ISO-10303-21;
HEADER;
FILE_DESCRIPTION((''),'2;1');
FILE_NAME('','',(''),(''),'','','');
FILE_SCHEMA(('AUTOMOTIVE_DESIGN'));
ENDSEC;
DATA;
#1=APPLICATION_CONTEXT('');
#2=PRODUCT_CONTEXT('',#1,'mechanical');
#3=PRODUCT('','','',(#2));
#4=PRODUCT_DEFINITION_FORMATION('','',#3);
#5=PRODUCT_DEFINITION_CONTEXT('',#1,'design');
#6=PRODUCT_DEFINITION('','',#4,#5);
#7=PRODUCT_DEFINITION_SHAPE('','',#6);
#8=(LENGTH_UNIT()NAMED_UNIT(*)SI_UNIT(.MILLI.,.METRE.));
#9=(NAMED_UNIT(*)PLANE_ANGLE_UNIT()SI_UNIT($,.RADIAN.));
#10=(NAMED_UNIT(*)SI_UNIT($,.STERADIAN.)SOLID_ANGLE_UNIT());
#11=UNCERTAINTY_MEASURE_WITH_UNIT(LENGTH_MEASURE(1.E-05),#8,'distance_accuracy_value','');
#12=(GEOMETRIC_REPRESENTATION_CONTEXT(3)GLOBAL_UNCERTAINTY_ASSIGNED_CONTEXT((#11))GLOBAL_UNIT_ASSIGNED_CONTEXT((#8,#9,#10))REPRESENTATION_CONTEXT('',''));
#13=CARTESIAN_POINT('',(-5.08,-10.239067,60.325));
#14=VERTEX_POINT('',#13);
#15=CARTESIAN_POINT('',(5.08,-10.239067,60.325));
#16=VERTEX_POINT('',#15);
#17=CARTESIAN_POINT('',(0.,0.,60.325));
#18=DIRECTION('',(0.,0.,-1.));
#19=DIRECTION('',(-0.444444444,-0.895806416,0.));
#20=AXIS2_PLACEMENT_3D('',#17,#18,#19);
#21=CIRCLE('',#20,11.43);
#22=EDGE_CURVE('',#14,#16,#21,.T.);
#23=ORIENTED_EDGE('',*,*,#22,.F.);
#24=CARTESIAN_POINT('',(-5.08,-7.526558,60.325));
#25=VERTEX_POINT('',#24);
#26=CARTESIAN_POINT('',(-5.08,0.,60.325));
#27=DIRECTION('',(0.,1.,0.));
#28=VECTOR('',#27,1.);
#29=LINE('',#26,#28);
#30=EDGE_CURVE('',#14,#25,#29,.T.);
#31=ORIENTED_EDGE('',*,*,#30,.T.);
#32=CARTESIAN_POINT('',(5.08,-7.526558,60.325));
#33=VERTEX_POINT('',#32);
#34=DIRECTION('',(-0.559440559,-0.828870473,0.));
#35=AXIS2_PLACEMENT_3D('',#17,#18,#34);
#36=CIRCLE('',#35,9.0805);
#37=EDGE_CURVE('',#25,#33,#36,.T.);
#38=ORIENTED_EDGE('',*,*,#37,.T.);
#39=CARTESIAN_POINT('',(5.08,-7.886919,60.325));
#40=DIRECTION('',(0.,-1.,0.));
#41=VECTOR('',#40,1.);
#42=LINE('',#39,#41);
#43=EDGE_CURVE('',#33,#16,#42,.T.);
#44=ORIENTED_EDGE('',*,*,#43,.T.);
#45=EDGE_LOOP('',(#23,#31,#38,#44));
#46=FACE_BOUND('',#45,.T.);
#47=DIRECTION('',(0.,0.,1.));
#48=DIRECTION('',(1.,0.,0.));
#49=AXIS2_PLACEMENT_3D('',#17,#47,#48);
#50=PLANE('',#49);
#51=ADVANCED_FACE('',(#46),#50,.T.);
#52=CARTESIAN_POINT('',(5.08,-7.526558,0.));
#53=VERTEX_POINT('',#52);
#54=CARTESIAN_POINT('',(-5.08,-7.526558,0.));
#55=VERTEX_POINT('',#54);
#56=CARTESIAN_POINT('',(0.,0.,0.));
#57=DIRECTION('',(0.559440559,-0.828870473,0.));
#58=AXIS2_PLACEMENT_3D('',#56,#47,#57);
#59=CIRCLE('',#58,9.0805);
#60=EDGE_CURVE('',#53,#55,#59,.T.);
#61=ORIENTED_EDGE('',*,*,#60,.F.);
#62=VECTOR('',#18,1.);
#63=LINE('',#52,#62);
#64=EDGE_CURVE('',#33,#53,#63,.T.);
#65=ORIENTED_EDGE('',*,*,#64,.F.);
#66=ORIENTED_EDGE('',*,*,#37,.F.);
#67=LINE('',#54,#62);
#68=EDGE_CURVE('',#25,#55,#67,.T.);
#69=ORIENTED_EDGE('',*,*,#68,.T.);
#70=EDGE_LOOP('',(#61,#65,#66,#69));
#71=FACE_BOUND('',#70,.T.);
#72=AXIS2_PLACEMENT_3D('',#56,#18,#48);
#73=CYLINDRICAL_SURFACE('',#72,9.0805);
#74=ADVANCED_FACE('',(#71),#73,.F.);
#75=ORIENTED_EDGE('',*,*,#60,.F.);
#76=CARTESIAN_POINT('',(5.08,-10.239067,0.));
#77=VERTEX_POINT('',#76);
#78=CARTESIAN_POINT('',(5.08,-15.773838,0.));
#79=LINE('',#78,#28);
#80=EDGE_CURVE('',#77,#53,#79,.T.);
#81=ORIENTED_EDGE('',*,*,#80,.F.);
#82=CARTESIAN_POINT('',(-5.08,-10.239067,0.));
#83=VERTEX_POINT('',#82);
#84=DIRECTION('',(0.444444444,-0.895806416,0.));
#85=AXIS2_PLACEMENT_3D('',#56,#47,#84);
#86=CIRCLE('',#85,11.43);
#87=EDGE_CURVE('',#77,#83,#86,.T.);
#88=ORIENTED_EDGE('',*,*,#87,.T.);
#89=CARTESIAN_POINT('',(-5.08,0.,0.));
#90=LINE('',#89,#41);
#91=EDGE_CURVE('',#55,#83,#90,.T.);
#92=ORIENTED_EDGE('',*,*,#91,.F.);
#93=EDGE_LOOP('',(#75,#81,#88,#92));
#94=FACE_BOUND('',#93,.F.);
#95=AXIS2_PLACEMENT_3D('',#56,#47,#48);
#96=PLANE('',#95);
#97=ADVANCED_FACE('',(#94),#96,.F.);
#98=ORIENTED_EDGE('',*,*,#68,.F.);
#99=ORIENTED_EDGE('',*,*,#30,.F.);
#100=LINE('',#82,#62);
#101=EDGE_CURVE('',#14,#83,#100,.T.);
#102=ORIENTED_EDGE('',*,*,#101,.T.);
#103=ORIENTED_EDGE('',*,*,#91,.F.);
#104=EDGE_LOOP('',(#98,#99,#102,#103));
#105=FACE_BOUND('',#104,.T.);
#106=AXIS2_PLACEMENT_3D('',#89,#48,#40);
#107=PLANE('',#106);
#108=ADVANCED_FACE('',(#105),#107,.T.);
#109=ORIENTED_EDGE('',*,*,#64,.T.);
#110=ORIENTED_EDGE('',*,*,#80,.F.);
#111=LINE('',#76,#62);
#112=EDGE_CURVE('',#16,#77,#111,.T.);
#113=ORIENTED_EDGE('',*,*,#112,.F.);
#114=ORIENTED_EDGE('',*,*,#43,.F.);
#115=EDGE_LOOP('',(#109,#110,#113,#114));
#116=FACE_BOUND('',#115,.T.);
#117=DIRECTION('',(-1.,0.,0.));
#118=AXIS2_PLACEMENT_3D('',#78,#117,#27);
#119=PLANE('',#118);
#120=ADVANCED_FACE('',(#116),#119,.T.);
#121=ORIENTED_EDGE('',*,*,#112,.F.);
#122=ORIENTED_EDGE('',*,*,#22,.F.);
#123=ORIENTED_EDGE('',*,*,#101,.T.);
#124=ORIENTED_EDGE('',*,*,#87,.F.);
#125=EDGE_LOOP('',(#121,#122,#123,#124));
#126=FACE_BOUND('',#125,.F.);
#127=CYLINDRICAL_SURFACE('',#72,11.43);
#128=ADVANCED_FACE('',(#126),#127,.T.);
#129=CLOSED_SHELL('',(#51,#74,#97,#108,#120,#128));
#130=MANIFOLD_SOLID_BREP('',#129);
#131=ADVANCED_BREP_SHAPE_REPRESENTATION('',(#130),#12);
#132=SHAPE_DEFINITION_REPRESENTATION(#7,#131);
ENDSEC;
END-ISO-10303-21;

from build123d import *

# Parameters (mm, degrees)
F0_R     = 11.43
F0_R_2   = 9.0805
F1_DEPTH = 60.325
F3_DEPTH = 127


with BuildPart() as f1:
    # F0 (on Top) → F1 (new body)
    with BuildSketch(Plane.XY):
        Circle(F0_R)
        Circle(F0_R_2, mode=Mode.SUBTRACT)
    extrude(amount=F1_DEPTH)

    # F2 (on Top) → F3 (cut)
    with BuildSketch(Plane.XY):
        Polygon((5.08, 0), (0, 0), (-5.08, 0), (-5.08, -15.773838), (5.08, -15.773838), align=None)
    extrude(amount=F3_DEPTH, mode=Mode.SUBTRACT)


solid = f1.part
